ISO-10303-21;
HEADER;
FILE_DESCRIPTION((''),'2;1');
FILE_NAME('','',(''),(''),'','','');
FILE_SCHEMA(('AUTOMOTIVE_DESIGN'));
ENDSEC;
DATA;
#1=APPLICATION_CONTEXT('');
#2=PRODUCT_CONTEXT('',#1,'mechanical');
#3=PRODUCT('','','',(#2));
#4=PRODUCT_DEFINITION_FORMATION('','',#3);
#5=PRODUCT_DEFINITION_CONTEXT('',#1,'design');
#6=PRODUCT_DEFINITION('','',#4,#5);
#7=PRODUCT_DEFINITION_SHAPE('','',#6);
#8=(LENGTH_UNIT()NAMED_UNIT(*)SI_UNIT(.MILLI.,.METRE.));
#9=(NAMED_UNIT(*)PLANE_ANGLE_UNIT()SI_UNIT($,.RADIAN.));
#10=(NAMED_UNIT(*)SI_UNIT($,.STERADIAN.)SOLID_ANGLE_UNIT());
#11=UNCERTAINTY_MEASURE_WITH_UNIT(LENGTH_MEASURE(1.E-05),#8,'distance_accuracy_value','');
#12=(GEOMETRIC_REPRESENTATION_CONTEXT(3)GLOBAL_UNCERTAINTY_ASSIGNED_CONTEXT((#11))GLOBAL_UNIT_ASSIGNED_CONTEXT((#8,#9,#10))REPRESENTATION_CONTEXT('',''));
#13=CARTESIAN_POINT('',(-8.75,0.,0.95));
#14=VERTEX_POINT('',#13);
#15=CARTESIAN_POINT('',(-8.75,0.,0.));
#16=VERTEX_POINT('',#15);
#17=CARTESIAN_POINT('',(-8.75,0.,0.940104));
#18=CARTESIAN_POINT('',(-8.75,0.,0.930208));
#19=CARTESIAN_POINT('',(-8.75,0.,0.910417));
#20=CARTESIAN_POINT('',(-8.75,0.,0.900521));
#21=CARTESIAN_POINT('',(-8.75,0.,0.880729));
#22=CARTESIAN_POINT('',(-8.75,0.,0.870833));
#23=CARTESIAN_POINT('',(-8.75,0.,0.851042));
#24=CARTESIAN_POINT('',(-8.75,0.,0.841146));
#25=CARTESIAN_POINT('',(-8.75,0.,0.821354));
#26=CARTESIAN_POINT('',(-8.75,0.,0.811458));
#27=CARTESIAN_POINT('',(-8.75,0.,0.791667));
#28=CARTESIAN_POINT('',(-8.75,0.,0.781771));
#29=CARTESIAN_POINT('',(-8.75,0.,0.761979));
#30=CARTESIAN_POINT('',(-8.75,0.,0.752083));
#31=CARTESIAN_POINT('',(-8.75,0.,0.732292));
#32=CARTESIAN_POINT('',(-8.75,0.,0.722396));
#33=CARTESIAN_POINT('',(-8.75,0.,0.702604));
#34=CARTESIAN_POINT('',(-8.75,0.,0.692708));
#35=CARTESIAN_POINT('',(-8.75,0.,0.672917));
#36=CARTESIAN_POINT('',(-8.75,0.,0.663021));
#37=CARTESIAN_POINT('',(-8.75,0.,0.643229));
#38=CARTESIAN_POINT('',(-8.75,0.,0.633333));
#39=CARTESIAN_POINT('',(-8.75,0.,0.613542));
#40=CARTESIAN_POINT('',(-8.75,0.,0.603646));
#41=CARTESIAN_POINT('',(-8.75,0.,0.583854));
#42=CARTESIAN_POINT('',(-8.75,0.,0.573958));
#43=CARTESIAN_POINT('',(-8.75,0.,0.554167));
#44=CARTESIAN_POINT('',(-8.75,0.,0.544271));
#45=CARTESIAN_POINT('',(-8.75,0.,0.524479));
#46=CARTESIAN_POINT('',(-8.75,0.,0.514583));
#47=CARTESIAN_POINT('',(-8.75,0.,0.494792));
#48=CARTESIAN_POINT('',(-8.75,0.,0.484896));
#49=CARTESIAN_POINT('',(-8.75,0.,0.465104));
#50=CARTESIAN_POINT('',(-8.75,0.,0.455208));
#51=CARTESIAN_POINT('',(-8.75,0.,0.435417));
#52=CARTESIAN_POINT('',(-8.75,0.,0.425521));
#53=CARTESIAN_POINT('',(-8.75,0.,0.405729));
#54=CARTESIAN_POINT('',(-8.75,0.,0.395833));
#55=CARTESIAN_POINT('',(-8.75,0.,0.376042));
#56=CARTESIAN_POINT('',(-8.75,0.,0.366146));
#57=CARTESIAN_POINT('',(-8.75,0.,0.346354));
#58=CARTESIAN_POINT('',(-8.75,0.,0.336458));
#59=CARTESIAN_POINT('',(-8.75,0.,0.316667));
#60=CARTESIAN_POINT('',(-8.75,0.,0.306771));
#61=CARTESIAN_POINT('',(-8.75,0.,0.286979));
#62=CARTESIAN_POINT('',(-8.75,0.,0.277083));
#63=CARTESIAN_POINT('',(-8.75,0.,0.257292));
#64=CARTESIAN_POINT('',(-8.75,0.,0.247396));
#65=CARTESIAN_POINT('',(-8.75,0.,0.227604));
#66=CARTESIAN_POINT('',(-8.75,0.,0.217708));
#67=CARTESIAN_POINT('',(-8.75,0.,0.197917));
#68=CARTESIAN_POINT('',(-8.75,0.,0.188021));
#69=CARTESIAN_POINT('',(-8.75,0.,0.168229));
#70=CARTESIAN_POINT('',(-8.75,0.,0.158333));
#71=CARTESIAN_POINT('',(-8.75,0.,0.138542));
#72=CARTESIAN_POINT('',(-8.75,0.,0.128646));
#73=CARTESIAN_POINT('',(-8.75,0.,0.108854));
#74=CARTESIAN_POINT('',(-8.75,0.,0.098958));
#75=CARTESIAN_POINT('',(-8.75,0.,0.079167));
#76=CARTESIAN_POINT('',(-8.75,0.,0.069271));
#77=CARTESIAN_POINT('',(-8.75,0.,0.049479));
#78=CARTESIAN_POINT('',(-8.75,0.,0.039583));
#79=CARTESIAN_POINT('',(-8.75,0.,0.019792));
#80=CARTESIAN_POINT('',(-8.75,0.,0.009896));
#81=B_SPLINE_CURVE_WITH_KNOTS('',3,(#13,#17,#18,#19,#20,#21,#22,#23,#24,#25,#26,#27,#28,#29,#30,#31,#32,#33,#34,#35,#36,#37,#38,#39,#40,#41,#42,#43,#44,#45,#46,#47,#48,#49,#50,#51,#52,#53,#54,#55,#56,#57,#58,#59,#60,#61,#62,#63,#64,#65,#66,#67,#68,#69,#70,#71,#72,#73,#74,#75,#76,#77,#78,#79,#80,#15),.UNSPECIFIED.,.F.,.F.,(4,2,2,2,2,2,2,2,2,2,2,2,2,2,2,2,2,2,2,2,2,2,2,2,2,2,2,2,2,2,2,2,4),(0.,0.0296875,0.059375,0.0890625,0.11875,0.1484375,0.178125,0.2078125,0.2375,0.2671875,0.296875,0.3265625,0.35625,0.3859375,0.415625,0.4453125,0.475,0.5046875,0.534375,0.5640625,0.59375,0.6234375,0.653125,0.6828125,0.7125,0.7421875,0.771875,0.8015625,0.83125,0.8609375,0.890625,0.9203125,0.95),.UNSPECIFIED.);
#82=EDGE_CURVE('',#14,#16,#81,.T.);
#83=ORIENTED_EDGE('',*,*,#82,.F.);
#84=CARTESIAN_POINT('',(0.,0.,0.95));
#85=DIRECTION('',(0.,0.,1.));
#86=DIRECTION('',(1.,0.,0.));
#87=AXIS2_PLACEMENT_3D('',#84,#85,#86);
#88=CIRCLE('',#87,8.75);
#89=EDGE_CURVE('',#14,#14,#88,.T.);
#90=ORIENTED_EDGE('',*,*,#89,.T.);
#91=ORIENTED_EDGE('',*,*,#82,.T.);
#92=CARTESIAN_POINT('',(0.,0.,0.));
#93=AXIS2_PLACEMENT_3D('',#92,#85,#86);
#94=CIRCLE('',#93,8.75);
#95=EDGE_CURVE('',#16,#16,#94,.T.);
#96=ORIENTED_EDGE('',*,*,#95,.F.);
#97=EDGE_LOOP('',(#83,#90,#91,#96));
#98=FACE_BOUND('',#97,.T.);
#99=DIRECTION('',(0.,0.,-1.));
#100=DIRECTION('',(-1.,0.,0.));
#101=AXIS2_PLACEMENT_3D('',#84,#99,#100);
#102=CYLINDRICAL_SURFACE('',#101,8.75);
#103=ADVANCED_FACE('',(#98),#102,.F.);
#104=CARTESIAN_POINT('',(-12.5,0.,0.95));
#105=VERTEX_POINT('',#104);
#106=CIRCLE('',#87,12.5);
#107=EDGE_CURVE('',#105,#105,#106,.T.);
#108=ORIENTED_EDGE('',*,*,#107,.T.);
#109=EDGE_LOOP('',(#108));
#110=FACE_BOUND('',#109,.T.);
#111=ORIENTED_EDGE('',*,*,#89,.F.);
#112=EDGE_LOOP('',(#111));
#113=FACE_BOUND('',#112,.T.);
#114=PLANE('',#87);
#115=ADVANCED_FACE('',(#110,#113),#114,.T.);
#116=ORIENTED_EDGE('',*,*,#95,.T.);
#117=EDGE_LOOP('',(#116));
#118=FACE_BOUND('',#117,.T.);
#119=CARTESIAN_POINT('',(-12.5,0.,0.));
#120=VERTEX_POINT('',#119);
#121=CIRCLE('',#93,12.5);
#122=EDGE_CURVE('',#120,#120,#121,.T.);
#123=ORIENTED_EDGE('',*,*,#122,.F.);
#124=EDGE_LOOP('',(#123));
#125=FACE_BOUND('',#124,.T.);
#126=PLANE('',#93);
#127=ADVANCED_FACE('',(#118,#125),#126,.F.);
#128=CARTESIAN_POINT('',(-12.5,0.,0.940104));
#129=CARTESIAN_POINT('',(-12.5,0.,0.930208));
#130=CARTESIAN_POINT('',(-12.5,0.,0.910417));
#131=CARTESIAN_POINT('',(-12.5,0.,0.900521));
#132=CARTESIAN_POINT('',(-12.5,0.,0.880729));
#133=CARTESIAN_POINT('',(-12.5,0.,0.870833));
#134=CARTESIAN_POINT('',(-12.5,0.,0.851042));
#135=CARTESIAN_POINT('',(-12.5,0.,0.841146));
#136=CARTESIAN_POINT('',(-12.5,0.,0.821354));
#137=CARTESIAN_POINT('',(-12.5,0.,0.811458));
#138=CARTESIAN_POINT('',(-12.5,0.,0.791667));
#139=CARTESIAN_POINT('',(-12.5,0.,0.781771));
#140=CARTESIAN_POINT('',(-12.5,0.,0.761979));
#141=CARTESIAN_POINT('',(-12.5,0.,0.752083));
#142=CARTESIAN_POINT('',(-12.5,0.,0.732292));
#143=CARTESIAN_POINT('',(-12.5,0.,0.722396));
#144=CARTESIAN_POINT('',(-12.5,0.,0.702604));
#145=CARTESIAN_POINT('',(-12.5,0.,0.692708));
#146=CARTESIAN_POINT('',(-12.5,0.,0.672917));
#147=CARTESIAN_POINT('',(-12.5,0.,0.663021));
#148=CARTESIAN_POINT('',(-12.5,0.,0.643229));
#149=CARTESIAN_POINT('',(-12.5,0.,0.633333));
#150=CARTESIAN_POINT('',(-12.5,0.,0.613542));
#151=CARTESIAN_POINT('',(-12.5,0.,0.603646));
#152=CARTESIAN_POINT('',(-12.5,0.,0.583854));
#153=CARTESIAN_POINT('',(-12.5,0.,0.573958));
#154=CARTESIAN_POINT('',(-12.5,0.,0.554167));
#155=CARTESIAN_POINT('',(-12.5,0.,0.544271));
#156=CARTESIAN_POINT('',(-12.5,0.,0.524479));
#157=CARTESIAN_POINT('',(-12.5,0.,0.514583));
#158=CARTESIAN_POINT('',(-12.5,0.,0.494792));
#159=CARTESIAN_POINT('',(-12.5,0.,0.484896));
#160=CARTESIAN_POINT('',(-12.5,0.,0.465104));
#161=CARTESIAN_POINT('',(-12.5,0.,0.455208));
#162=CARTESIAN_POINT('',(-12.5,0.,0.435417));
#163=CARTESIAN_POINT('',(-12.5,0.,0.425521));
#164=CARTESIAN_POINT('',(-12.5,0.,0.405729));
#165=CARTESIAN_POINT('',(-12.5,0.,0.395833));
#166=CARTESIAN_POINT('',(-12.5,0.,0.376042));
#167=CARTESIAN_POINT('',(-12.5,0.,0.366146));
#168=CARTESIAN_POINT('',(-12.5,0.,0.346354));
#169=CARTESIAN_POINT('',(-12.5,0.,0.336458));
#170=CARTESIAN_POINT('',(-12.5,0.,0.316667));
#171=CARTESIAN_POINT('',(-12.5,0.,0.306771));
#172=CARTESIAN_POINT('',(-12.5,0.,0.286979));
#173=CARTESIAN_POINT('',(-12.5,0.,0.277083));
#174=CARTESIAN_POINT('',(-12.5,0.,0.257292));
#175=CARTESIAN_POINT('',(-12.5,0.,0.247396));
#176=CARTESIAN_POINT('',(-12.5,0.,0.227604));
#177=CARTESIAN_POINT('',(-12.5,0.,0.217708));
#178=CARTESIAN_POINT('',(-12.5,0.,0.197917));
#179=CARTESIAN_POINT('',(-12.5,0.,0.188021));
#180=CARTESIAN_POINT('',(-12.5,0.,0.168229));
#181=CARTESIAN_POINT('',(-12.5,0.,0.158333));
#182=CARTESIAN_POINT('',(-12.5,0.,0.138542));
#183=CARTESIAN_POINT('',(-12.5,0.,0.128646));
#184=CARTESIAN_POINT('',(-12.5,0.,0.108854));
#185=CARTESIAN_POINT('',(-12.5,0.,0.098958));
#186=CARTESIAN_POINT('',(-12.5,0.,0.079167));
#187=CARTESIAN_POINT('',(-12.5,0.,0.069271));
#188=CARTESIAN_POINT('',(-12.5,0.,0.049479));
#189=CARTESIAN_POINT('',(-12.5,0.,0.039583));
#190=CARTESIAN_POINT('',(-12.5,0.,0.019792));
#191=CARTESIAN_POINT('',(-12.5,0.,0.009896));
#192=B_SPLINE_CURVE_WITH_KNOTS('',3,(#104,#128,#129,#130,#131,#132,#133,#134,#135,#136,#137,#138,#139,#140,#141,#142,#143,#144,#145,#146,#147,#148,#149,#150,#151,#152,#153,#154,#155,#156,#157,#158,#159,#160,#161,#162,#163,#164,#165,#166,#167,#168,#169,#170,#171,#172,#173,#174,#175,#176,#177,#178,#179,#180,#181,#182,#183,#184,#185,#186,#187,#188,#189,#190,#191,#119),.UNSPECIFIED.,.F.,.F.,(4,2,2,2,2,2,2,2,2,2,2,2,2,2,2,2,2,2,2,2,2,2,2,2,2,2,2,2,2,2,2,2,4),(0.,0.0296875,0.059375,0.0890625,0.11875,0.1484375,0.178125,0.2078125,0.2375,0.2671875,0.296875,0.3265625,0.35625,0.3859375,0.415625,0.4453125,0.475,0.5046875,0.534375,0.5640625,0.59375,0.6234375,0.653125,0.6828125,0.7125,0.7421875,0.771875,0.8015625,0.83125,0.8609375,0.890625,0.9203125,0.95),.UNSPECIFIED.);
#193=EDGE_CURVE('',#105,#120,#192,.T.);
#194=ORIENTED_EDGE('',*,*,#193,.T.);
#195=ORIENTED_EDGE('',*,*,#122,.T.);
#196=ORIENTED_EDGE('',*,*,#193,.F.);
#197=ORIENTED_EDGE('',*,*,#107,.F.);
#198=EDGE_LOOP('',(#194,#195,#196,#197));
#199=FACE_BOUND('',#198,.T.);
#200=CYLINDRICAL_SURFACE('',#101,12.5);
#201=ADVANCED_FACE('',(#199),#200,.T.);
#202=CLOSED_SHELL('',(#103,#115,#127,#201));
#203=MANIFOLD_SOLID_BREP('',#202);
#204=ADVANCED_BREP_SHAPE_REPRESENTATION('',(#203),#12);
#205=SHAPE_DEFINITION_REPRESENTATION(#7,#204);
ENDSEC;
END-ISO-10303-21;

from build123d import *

# Parameters (mm, degrees)
ESBO_O1_R       = 12.5
ESBO_O1_R_2     = 8.75
EXTRUS_O1_DEPTH = 0.95


with BuildPart() as part:
    # Esboço1 → Extrusão1 (new body)
    with BuildSketch(Plane.XY):
        with Locations(Location((0, 0, 0), (0, 0, 180))):
            Circle(ESBO_O1_R)
        with Locations(Location((0, 0, 0), (0, 0, 180))):
            Circle(ESBO_O1_R_2, mode=Mode.SUBTRACT)
    extrude(amount=EXTRUS_O1_DEPTH)


solid = part.part
